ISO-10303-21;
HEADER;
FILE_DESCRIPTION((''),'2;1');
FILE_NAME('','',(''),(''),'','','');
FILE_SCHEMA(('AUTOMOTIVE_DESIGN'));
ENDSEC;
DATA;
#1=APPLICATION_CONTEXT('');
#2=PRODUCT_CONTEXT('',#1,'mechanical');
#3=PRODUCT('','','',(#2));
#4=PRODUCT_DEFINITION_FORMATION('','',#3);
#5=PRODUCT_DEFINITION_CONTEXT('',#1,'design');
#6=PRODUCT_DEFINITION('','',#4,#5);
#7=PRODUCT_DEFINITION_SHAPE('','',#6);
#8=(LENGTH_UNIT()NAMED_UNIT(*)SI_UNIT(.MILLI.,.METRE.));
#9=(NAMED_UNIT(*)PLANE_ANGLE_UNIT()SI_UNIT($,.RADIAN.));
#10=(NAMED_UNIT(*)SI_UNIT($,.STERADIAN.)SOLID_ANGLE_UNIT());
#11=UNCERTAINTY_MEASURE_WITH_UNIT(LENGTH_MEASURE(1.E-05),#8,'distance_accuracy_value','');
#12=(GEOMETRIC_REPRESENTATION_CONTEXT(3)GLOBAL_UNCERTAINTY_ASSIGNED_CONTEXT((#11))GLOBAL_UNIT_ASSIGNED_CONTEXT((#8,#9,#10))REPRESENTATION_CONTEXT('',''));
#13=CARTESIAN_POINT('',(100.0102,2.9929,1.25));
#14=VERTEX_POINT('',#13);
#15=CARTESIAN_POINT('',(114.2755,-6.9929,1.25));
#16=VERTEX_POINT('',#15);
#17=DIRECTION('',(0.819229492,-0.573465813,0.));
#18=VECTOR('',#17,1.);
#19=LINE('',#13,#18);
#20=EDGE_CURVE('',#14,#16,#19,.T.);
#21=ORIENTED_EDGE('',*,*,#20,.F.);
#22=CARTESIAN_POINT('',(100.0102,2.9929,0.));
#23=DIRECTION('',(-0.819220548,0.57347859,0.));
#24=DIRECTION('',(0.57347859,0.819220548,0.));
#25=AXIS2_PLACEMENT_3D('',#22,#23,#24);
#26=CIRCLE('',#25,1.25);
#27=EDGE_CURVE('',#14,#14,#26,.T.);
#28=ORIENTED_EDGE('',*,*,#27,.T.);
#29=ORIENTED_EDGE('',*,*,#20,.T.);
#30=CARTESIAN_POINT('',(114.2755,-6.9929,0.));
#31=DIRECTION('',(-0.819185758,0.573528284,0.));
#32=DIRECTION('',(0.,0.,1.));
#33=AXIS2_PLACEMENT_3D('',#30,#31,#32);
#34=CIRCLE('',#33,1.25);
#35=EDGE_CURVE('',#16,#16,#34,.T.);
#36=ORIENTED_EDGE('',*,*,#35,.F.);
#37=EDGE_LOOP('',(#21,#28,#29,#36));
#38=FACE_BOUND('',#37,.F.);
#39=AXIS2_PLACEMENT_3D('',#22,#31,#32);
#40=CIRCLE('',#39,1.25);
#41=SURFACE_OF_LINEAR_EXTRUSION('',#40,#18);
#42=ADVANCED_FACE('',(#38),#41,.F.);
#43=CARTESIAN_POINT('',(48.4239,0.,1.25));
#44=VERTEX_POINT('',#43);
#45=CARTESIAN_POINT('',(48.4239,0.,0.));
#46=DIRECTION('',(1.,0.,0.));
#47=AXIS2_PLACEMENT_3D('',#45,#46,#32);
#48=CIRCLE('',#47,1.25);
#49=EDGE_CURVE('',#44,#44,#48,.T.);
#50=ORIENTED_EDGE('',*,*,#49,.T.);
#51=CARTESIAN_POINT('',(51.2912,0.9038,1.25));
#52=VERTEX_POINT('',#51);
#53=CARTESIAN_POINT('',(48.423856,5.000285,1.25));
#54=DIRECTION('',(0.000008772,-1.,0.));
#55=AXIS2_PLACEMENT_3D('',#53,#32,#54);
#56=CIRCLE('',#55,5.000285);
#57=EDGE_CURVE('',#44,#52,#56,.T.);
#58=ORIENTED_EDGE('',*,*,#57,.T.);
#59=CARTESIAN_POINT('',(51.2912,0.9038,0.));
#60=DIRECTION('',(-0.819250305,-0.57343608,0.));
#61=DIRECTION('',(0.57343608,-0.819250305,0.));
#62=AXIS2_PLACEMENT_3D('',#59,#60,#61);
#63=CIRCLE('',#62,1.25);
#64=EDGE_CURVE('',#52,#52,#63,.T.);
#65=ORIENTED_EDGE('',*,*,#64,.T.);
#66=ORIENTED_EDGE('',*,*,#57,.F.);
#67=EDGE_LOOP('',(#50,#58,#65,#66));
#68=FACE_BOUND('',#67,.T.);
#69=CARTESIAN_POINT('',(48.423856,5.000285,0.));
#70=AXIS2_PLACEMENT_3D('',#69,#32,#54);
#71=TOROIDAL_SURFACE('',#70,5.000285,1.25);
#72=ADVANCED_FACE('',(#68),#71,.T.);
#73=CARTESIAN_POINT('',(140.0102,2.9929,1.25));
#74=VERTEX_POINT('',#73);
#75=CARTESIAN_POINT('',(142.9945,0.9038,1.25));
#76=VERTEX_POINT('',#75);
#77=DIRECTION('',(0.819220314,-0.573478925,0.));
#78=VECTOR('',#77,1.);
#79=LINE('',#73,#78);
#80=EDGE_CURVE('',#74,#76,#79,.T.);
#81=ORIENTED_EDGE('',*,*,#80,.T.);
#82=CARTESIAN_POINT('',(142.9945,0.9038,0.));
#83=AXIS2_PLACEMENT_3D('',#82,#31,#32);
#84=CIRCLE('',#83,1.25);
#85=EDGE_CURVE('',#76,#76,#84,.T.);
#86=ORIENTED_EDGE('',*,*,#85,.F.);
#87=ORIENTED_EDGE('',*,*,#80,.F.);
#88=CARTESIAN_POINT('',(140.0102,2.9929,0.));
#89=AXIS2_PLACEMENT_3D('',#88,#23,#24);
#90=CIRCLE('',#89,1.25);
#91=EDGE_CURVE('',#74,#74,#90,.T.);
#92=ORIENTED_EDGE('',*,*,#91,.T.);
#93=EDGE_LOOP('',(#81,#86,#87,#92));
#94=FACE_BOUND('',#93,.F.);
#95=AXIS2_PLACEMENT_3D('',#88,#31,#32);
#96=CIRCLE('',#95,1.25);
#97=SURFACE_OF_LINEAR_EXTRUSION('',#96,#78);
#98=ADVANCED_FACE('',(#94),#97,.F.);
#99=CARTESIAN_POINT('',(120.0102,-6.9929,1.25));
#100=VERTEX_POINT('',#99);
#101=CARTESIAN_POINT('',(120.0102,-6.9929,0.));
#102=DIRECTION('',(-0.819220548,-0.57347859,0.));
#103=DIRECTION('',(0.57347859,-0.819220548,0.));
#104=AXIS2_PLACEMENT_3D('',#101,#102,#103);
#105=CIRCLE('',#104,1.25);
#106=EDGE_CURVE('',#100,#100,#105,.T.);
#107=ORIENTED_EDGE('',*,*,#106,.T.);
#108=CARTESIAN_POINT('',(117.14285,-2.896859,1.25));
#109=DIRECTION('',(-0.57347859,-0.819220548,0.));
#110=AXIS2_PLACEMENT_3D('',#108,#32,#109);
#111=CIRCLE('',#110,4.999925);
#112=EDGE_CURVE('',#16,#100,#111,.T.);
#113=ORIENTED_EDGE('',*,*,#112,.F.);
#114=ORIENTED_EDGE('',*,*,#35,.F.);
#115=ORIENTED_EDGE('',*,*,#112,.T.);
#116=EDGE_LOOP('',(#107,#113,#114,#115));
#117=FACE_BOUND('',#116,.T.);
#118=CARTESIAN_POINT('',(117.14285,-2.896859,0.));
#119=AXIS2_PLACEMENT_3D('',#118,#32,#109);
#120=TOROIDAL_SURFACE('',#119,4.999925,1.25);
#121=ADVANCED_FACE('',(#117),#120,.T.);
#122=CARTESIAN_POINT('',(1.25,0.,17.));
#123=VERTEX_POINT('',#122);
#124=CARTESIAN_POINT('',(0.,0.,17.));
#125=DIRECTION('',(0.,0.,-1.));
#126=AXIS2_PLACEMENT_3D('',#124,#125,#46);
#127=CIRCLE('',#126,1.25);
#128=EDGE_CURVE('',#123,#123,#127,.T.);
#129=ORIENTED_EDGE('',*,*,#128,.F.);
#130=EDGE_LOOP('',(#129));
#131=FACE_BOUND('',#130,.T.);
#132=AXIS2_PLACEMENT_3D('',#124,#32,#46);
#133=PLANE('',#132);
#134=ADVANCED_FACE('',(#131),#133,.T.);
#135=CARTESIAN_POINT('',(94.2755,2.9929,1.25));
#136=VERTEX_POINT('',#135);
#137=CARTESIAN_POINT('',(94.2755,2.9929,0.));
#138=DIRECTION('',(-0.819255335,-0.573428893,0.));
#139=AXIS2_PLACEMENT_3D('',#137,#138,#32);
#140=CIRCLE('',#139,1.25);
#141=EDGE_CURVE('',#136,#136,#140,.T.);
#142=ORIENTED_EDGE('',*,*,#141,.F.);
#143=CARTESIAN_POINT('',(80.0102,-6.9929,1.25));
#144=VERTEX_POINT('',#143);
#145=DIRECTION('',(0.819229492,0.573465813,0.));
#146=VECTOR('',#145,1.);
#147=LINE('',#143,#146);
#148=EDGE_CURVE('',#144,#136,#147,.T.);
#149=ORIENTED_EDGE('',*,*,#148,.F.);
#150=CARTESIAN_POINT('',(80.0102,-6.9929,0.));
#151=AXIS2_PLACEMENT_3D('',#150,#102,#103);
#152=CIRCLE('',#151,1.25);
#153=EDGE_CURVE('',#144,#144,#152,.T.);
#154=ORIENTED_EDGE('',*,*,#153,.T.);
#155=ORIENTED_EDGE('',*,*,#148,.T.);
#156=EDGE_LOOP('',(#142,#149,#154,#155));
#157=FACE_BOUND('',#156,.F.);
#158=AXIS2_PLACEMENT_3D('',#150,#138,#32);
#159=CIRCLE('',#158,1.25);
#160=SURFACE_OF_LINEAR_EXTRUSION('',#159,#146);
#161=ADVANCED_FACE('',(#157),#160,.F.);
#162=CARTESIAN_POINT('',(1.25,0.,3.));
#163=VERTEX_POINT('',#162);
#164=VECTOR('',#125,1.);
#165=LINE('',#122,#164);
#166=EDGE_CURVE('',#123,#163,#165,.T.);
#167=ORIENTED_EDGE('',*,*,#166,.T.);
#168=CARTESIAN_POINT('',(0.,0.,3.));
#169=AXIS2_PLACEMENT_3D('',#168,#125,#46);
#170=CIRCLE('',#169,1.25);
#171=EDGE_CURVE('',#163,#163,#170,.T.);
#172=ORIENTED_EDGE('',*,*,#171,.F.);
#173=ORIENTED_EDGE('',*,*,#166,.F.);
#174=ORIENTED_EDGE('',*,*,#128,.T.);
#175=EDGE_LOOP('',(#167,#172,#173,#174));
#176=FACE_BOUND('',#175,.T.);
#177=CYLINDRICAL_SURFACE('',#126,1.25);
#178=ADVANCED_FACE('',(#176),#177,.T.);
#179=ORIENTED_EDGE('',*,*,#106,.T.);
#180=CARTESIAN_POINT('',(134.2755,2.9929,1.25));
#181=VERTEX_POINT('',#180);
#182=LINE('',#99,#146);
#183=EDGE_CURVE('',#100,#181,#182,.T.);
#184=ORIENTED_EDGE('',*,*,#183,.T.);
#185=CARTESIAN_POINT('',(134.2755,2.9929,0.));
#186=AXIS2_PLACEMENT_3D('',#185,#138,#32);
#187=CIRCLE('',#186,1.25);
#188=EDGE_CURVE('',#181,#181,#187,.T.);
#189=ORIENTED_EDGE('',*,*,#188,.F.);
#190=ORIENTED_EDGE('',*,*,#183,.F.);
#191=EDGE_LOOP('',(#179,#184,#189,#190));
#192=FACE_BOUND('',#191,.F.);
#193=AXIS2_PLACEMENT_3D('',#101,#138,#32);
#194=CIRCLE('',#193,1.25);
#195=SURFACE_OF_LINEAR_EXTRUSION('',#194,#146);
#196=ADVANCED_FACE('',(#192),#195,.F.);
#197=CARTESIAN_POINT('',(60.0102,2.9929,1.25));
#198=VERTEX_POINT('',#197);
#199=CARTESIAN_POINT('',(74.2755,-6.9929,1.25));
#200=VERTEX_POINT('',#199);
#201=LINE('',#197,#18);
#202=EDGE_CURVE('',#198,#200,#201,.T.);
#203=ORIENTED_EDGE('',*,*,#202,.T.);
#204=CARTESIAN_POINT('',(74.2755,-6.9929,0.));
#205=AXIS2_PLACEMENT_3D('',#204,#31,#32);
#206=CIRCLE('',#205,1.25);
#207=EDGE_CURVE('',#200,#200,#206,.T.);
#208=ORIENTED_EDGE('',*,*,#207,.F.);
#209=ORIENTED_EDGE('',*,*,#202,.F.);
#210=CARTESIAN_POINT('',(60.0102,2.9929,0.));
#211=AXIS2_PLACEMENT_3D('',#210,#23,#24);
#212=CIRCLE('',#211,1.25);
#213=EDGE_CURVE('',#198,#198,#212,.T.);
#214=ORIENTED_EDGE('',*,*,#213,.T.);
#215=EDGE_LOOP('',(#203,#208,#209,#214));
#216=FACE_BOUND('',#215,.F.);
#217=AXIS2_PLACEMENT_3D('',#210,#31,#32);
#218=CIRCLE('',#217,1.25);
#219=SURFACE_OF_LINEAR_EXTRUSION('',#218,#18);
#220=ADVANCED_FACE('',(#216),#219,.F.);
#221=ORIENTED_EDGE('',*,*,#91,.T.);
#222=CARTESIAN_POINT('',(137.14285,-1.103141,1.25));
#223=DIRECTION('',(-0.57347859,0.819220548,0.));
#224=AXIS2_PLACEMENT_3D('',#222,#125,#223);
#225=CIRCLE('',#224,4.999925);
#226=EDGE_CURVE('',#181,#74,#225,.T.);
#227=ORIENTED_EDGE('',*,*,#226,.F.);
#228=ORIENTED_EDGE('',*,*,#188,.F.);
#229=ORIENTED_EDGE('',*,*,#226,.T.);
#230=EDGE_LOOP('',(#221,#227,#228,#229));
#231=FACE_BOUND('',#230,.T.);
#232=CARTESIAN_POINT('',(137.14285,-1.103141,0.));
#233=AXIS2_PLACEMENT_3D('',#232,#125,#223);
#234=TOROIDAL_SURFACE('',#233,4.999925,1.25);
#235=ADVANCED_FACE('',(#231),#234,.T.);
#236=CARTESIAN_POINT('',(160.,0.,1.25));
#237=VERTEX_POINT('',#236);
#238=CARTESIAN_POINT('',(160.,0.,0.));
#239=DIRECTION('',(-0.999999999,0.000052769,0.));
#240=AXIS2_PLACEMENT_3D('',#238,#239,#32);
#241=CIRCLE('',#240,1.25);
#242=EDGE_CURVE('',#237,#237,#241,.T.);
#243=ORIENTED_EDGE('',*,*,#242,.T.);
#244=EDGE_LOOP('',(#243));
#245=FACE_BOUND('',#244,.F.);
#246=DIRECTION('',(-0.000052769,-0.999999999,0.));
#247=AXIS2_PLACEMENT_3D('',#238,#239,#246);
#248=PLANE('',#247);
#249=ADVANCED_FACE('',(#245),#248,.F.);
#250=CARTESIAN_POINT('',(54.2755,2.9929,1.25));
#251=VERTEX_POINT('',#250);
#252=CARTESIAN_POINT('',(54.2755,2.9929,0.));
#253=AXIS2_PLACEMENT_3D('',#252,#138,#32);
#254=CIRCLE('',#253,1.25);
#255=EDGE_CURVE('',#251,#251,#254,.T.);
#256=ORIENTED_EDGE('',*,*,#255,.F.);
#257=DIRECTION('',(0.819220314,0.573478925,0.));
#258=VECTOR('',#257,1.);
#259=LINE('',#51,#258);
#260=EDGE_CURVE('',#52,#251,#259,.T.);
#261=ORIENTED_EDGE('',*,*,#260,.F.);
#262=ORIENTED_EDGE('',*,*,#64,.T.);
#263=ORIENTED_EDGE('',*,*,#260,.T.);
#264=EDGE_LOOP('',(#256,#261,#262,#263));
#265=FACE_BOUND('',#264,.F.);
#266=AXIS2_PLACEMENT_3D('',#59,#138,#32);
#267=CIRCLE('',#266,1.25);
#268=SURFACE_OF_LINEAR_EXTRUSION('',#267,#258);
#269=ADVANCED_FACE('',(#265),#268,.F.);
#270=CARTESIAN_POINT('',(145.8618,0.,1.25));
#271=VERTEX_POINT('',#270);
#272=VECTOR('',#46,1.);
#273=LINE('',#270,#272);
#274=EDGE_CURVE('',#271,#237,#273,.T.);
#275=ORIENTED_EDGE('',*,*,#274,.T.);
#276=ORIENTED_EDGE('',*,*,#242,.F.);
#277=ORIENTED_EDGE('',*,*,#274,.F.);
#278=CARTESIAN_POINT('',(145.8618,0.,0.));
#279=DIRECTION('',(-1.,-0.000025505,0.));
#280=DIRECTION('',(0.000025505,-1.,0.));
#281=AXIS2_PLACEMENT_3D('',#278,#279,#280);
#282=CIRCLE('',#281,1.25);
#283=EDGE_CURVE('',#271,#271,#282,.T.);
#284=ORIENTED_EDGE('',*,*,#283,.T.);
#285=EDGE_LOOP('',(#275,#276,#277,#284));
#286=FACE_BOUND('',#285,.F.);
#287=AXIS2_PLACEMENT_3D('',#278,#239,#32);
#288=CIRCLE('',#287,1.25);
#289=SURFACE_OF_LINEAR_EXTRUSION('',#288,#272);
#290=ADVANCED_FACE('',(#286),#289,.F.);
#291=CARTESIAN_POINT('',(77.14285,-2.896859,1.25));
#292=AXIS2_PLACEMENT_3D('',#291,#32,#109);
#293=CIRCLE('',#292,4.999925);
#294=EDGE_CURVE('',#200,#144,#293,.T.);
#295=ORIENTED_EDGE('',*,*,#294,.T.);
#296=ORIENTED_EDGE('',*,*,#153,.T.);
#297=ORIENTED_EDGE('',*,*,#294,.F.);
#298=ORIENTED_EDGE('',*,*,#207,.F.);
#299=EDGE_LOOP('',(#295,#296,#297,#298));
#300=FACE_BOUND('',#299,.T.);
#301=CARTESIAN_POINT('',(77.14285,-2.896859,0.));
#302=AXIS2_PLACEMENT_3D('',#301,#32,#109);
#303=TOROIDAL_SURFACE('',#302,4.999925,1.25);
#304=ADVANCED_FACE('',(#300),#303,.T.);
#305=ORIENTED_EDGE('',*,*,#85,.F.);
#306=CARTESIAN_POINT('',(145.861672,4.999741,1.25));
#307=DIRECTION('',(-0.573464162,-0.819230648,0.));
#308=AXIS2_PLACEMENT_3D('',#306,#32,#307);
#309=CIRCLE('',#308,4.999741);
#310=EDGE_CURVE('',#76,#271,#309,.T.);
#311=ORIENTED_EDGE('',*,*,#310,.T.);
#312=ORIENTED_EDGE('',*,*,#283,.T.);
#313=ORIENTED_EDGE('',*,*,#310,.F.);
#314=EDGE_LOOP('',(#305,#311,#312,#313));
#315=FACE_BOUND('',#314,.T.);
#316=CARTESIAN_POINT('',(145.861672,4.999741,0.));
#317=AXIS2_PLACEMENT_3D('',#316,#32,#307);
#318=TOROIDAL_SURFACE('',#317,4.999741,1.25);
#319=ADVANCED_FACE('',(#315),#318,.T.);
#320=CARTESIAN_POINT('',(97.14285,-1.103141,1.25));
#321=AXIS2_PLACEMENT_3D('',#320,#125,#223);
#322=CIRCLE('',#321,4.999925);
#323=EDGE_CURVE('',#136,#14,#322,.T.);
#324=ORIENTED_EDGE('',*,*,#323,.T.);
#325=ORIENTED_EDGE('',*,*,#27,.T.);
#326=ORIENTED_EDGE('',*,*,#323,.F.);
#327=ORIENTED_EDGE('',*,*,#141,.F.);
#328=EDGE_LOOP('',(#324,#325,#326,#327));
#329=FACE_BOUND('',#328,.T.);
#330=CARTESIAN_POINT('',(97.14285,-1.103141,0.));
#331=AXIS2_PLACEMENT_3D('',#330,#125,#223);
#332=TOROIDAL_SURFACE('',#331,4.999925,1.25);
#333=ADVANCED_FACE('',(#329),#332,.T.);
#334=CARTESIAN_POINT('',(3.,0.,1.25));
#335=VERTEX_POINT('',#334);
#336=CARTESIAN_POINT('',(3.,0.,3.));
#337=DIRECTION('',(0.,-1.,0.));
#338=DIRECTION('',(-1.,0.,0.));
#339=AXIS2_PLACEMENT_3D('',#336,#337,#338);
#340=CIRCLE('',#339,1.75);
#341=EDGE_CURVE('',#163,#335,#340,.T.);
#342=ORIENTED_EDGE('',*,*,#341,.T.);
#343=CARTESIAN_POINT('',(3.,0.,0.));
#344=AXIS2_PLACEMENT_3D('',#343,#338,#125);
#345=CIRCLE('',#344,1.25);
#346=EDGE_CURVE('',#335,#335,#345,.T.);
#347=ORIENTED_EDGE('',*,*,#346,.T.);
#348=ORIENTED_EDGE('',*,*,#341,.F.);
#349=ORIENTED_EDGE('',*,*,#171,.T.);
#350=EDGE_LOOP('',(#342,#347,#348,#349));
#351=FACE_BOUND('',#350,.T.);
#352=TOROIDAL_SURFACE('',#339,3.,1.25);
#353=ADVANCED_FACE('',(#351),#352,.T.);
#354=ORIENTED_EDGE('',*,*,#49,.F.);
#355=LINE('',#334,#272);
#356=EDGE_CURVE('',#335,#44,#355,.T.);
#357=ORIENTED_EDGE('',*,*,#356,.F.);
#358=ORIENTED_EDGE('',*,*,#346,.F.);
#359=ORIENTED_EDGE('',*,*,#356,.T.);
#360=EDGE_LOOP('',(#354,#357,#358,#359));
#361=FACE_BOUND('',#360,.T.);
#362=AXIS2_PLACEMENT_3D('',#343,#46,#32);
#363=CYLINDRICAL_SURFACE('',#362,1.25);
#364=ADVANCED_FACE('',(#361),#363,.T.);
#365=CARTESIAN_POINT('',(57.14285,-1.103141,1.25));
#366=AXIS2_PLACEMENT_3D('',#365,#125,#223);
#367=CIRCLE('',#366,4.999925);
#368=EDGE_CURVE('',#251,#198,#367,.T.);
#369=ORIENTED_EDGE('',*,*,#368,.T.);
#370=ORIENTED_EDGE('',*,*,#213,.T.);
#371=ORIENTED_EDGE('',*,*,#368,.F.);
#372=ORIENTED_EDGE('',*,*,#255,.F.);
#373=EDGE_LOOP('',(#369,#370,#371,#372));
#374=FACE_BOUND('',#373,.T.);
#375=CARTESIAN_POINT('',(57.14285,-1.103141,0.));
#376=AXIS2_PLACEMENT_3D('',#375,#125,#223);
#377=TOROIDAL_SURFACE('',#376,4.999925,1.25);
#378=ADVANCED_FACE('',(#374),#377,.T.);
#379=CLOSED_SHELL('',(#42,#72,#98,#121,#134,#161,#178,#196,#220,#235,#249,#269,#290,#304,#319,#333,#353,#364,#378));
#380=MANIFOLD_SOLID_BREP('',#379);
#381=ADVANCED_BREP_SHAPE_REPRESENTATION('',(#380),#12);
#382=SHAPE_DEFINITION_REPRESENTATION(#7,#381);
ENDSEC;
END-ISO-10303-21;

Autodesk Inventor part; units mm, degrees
ref_plane "YZ Plane" through (0, 0, 0) normal (1, 0, 0) x (0, 1, 0)
ref_plane "XZ Plane" through (0, 0, 0) normal (0, 1, 0) x (-1, 0, 0)
sketch "Sketch1" plane through (0, 0, 0) normal (0, 0, 1) x (1, 0, 0)
  line L0 (0, 0) -> (48.4239, 0)
  line L1 (51.2912, 0.9038) -> (54.2755, 2.9929)
  line L2 (60.0102, 2.9929) -> (74.2755, -6.9929)
  line L3 (80.0102, -6.9929) -> (94.2755, 2.9929)
  line L4 (100.0102, 2.9929) -> (114.2755, -6.9929)
  line L5 (120.0102, -6.9929) -> (134.2755, 2.9929)
  line L6 (140.0102, 2.9929) -> (142.9945, 0.9038)
  line L7 (157.1429, -9) -> (160, -7) construction
  line L8 (145.8618, 0) -> (160, 0)
  arc A0 (48.4239, 0) -> (51.2912, 0.9038) centre (48.4239, 5) ccw
  arc A1 (60.0102, 2.9929) -> (54.2755, 2.9929) centre (57.1429, -1.1033) ccw
  arc A2 (74.2755, -6.9929) -> (80.0102, -6.9929) centre (77.1429, -2.8967) ccw
  arc A3 (100.0102, 2.9929) -> (94.2755, 2.9929) centre (97.1429, -1.1033) ccw
  arc A4 (114.2755, -6.9929) -> (120.0102, -6.9929) centre (117.1429, -2.8967) ccw
  arc A5 (140.0102, 2.9929) -> (134.2755, 2.9929) centre (137.1429, -1.1033) ccw
  arc A6 (142.9945, 0.9038) -> (145.8618, 0) centre (145.8618, 5) ccw
  point P0 (50, 0)
  point P1 (57.1429, 5)
  point P2 (77.1429, -9)
  point P3 (97.1429, 5)
  point P4 (117.1429, -9)
  point P5 (137.1429, 5)
  point P6 (144.2857, 0)
  dimension "d0" = 160
  dimension "d1" = 50
  dimension "d2" = 20
  dimension "d3" = 20
  dimension "d4" = 20
  dimension "d5" = 20
  dimension "d6" = 20
  dimension "d7" = 14
  dimension "d8" = 5
  dimension "d9" = 15.7143
  dimension "d14" = 5
ref_plane "Work Plane1" through (0, 0, 17) normal (0, 0, 1) x (1, 0, 0)
sketch "Sketch2" plane through (0, 0, 17) normal (0, 0, 1) x (1, 0, 0)
  circle A0 centre (0, 0) radius 1.25
  dimension "d11" = 2.5
sketch3d "3D Sketch1"
  line L0 (0, 0, 17) -> (0, 0, 3)
  arc A0 (0, 0, 3) -> (3, 0, 0) centre (3, 0, 3) ccw
  line L1 (3, 0, 0) -> (48.4239, 0, 0)
  arc A1 (48.4239, 0, 0) -> (51.2912, 0.9038, 0) centre (48.4239, 5, 0) ccw
  line L2 (51.2912, 0.9038, 0) -> (54.2755, 2.9929, 0)
  arc A2 (54.2755, 2.9929, 0) -> (60.0102, 2.9929, 0) centre (57.1429, -1.1033, 0) ccw
  line L3 (60.0102, 2.9929, 0) -> (74.2755, -6.9929, 0)
  arc A3 (74.2755, -6.9929, 0) -> (80.0102, -6.9929, 0) centre (77.1429, -2.8967, 0) ccw
  line L4 (80.0102, -6.9929, 0) -> (94.2755, 2.9929, 0)
  arc A4 (94.2755, 2.9929, 0) -> (100.0102, 2.9929, 0) centre (97.1429, -1.1033, 0) ccw
  line L5 (100.0102, 2.9929, 0) -> (114.2755, -6.9929, 0)
  arc A5 (114.2755, -6.9929, 0) -> (120.0102, -6.9929, 0) centre (117.1429, -2.8967, 0) ccw
  line L6 (120.0102, -6.9929, 0) -> (134.2755, 2.9929, 0)
  arc A6 (134.2755, 2.9929, 0) -> (140.0102, 2.9929, 0) centre (137.1429, -1.1033, 0) ccw
  line L7 (140.0102, 2.9929, 0) -> (142.9945, 0.9038, 0)
  arc A7 (142.9945, 0.9038, 0) -> (145.8618, 0, 0) centre (145.8618, 5, 0) ccw
  line L8 (145.8618, 0, 0) -> (160, 0, 0)
  dimension "d15" = 17
  dimension "d16" = 90
  dimension "d17" = 3
sweep "Sweep2" add profiles "Sketch2" path "3D Sketch1"
properties part number "Barra expulsora 1" material "Stainless Steel"
